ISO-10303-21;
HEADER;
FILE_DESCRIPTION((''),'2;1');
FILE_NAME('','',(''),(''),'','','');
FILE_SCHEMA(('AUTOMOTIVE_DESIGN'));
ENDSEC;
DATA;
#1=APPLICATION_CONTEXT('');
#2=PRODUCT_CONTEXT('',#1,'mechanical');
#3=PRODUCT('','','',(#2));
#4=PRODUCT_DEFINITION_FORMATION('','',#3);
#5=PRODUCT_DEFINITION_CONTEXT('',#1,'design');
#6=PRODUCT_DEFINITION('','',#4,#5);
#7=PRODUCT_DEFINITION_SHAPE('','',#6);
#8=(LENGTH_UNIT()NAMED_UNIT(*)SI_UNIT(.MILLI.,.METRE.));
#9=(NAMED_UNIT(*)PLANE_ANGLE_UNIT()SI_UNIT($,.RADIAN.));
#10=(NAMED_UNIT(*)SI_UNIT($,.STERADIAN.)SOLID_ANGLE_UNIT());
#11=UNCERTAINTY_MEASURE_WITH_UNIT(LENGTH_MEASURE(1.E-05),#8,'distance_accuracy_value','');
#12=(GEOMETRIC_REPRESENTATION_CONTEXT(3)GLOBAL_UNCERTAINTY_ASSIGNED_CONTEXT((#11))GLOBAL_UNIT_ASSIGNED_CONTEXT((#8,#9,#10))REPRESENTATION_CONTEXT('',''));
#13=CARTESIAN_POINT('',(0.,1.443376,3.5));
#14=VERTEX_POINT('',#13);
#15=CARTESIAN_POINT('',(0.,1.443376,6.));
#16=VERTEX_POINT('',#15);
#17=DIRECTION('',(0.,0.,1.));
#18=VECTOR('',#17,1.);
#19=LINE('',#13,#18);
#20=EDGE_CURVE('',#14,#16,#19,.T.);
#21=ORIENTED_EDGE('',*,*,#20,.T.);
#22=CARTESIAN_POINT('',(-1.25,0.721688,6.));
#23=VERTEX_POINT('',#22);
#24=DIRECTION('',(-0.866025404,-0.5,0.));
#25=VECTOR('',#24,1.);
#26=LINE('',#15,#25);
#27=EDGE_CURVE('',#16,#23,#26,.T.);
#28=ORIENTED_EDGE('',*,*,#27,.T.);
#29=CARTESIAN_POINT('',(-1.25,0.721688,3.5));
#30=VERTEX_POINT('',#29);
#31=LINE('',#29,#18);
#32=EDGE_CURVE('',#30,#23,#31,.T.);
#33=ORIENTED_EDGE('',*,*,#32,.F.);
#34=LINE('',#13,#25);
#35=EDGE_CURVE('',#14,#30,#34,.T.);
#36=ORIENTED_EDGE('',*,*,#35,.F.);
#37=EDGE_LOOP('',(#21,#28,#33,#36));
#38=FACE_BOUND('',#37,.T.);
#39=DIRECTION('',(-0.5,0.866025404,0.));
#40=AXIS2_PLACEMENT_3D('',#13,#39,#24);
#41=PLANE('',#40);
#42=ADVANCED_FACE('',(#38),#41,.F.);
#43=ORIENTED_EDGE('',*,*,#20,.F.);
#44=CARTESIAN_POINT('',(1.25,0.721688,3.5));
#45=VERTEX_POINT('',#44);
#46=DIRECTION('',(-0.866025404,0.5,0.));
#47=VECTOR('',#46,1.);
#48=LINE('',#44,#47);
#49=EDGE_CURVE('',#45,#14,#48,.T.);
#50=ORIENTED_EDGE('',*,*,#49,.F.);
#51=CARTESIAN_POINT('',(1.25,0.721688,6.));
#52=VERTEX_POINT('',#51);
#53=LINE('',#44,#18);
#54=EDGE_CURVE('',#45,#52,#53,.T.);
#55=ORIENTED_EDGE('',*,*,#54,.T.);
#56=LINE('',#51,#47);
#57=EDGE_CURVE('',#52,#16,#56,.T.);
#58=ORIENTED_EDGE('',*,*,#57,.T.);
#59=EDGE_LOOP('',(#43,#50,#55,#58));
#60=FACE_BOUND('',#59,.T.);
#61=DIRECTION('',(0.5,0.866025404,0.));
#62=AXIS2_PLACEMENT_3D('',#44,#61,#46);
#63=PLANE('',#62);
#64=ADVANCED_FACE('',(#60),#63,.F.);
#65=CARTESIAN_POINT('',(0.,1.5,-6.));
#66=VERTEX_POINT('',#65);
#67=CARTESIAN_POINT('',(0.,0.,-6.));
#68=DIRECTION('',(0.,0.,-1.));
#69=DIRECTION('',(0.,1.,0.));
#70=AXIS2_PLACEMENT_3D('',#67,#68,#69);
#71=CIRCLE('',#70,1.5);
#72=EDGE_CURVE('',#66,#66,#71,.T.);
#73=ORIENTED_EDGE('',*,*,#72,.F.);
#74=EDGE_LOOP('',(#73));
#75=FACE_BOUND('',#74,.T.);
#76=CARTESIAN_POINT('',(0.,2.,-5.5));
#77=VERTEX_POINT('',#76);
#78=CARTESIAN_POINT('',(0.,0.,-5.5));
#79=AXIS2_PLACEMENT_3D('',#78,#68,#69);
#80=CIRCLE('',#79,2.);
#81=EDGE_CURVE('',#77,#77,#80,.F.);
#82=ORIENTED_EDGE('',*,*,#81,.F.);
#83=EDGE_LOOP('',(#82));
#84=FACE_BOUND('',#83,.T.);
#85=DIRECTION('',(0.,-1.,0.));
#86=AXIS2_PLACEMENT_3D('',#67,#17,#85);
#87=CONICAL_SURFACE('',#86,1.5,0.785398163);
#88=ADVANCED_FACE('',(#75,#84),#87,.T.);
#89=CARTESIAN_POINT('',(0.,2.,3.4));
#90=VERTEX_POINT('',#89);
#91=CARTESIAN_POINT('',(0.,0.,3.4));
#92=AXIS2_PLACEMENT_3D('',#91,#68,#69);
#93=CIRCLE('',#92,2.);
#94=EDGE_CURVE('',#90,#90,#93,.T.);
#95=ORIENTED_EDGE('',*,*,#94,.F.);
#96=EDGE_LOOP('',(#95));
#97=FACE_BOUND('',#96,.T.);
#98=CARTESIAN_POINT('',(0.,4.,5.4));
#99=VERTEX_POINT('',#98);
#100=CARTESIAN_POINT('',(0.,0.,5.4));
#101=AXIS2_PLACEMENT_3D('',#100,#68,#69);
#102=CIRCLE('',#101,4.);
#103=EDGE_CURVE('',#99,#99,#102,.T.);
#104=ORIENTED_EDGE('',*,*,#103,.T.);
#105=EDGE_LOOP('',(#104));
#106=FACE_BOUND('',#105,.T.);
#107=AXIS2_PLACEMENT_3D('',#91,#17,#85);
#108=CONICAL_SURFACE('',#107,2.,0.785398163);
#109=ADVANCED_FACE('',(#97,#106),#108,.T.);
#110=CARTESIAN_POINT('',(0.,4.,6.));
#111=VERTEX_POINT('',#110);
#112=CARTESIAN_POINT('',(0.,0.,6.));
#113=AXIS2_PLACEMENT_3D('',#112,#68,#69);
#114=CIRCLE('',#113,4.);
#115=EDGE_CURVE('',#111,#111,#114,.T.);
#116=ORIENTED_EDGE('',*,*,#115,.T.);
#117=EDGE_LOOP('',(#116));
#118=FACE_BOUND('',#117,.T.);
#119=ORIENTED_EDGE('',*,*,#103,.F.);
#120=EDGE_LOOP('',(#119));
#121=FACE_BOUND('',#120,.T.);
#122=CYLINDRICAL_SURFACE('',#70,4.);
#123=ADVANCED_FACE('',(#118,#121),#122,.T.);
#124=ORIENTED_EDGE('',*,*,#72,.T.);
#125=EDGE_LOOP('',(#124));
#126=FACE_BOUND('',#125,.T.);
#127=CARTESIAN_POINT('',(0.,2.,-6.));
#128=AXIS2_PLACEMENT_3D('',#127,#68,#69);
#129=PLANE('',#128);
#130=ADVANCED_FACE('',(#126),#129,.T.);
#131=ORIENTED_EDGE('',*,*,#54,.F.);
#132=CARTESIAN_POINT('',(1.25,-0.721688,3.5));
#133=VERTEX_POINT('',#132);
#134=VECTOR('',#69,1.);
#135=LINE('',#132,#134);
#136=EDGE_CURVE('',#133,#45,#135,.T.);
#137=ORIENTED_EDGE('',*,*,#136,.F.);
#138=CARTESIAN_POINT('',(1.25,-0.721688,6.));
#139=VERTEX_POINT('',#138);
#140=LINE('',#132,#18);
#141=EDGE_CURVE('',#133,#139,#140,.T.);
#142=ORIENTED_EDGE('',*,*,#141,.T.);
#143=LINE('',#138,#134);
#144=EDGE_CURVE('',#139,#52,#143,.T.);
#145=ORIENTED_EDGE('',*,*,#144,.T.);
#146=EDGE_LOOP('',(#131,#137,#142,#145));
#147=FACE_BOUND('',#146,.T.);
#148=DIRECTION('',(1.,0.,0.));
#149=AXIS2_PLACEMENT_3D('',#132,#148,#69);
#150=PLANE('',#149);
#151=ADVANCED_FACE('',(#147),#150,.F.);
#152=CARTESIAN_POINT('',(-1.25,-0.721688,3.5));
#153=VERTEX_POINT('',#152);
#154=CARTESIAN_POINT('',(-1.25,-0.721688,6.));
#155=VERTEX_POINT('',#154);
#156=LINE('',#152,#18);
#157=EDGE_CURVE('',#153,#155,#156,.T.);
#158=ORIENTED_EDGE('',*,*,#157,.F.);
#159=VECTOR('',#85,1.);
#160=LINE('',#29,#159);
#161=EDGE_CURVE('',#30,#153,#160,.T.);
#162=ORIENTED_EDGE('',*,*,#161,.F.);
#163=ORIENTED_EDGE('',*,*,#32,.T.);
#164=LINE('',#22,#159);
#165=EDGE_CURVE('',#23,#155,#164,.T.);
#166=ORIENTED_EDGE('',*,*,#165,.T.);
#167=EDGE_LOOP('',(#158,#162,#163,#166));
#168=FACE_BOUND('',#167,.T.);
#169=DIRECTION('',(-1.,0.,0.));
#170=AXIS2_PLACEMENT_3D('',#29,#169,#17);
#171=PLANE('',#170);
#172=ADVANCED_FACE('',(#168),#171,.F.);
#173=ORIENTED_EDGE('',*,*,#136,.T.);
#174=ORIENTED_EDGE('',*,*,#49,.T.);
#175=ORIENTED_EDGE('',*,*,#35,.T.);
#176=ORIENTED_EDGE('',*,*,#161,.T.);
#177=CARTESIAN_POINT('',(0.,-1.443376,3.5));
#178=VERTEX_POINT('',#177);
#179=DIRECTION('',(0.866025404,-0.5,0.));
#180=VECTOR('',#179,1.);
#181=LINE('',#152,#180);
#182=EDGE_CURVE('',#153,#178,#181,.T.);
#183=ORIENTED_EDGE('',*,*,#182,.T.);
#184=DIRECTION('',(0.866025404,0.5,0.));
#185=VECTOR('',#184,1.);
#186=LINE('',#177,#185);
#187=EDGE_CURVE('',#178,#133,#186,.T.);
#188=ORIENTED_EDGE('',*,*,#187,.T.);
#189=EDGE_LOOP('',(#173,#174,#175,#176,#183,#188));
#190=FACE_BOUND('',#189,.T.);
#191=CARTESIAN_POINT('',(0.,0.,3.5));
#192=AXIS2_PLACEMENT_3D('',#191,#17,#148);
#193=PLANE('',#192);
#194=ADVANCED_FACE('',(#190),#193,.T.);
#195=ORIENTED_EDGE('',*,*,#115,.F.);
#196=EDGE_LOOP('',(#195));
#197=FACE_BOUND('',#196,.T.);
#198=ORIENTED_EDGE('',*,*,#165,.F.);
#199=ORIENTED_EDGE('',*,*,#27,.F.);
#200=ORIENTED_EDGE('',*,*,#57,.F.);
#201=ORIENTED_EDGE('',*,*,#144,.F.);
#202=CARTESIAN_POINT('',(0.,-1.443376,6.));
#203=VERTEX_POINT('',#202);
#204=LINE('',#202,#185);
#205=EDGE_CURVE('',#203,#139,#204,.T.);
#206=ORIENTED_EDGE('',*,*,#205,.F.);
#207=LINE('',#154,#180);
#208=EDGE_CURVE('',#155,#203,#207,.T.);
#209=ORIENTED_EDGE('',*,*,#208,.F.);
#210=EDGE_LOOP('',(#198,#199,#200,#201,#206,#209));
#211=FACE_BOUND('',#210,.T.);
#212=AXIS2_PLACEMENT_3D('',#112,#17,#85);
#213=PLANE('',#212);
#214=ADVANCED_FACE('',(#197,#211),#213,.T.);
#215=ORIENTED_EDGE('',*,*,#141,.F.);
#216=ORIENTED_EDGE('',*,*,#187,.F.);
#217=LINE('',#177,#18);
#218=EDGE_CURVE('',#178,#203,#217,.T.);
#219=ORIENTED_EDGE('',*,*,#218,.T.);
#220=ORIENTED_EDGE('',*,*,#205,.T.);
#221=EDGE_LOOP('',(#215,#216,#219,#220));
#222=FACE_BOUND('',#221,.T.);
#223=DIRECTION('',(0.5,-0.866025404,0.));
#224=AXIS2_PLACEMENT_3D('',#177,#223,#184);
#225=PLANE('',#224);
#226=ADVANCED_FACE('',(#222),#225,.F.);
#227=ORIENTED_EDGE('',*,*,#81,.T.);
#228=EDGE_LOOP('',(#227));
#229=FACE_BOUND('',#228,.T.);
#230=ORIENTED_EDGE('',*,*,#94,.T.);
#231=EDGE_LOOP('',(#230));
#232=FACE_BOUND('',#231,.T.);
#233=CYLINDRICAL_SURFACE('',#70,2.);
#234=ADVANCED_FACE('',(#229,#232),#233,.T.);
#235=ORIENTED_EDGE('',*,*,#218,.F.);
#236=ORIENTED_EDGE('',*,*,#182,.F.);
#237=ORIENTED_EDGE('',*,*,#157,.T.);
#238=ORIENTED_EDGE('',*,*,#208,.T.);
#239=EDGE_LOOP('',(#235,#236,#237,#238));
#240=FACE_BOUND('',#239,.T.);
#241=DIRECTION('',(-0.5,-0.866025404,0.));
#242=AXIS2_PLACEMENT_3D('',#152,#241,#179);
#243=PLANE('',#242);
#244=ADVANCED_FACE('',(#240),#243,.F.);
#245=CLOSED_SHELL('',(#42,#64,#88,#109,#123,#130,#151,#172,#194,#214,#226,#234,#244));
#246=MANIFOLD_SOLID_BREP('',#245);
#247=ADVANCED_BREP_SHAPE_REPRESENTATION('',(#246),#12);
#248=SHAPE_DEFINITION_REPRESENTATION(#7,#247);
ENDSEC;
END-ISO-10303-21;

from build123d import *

# Parameters (mm, degrees)
CHAMFER_1_SIZE      = 0.5
CUT_EXTRUDE_1_DEPTH = 2.5


with BuildPart() as part:
    # 草图1 → 旋转1 (revolve)
    with BuildSketch(Plane(origin=(0, 0, 0), x_dir=(0, 0, -1), z_dir=(1, 0, 0))):
        Polygon((-6, 0), (-6, 4), (-5.4, 4), (-3.4, 2), (6, 2), (6, 0), align=None)
    revolve(axis=Axis((0, 0, -6), (0, 0, 1)))

    # 倒角1
    chamfer_1_edges = [part.edges().sort_by_distance(p)[0] for p in [
        (0, -2, -6),
    ]]
    chamfer(chamfer_1_edges, length=CHAMFER_1_SIZE)

    # 草图2 → 切除-拉伸1 (cut)
    with BuildSketch(Plane.XY.offset(6)):
        Polygon((0, 1.443375673), (-1.25, 0.721687836), (-1.25, -0.721687836), (0, -1.443375673), (1.25, -0.721687836), (1.25, 0.721687836), align=None)
    extrude(amount=-CUT_EXTRUDE_1_DEPTH, mode=Mode.SUBTRACT)


solid = part.part
